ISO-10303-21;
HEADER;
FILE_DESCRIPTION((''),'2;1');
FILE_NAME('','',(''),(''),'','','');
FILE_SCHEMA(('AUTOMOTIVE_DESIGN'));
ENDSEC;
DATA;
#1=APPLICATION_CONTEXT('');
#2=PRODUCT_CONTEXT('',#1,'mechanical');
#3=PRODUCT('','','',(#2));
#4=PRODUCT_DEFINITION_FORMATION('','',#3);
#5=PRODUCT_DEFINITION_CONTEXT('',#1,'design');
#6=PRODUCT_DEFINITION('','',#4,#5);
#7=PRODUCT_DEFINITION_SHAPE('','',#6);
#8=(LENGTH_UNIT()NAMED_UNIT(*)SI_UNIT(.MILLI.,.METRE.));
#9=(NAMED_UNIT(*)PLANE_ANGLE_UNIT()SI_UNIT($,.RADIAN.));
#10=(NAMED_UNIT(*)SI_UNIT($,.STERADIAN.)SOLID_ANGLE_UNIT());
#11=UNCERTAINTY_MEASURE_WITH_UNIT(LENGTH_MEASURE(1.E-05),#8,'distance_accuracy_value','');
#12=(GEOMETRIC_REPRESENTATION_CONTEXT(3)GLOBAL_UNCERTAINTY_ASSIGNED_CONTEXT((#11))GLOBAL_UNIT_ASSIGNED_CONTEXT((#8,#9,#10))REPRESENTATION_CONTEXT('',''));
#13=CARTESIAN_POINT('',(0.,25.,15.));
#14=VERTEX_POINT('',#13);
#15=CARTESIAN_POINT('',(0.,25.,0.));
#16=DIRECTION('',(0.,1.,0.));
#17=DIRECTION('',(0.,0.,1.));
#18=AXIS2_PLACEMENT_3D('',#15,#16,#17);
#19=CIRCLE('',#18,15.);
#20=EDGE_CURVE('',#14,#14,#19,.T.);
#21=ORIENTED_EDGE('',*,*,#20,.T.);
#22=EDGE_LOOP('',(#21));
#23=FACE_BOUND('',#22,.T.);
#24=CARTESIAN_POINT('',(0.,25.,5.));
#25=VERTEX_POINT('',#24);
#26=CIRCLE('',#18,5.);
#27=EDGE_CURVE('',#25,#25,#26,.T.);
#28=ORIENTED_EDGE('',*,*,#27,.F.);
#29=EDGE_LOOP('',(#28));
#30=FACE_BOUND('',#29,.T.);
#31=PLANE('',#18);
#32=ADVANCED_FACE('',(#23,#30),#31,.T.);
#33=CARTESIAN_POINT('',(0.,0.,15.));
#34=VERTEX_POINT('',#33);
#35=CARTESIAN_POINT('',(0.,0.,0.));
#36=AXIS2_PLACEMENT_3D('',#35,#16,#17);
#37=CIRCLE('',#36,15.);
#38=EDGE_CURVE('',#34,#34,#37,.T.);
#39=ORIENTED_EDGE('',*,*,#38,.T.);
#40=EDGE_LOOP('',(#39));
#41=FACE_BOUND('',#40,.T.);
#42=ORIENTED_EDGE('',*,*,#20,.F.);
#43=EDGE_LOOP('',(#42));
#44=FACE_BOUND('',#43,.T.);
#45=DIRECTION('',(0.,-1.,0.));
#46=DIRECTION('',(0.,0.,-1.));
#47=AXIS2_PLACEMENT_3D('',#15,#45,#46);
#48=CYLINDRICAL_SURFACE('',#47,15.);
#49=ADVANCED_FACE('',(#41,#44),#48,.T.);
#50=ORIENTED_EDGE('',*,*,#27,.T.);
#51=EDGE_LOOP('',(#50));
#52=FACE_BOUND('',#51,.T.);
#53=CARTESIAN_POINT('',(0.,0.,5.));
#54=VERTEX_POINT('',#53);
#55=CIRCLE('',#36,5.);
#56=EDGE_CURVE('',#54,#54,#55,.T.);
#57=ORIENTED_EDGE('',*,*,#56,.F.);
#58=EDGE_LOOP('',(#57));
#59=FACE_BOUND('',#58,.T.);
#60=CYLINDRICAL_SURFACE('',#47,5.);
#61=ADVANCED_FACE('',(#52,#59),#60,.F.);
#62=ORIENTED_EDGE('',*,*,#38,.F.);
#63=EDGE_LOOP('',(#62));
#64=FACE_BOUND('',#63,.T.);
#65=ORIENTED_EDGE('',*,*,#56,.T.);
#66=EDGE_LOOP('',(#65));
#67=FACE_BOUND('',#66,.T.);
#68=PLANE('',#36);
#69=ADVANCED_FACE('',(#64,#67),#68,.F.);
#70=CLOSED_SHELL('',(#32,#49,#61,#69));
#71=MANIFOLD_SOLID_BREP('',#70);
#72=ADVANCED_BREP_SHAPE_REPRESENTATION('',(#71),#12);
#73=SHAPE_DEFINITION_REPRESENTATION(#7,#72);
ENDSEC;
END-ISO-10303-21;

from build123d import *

# Parameters (mm, degrees)
SKETCH_1_R      = 15
SKETCH_1_R_2    = 5
EXTRUDE_1_DEPTH = 25


with BuildPart() as part:
    # Эскиз1 → Вытянуть1 (new body)
    with BuildSketch(Plane(origin=(0, 0, 0), x_dir=(1, 0, 0), z_dir=(0, 1, 0))):
        with Locations(Location((0, 0, 0), (0, 0, 270))):
            Circle(SKETCH_1_R)
        with Locations(Location((0, 0, 0), (0, 0, 270))):
            Circle(SKETCH_1_R_2, mode=Mode.SUBTRACT)
    extrude(amount=EXTRUDE_1_DEPTH)


solid = part.part
